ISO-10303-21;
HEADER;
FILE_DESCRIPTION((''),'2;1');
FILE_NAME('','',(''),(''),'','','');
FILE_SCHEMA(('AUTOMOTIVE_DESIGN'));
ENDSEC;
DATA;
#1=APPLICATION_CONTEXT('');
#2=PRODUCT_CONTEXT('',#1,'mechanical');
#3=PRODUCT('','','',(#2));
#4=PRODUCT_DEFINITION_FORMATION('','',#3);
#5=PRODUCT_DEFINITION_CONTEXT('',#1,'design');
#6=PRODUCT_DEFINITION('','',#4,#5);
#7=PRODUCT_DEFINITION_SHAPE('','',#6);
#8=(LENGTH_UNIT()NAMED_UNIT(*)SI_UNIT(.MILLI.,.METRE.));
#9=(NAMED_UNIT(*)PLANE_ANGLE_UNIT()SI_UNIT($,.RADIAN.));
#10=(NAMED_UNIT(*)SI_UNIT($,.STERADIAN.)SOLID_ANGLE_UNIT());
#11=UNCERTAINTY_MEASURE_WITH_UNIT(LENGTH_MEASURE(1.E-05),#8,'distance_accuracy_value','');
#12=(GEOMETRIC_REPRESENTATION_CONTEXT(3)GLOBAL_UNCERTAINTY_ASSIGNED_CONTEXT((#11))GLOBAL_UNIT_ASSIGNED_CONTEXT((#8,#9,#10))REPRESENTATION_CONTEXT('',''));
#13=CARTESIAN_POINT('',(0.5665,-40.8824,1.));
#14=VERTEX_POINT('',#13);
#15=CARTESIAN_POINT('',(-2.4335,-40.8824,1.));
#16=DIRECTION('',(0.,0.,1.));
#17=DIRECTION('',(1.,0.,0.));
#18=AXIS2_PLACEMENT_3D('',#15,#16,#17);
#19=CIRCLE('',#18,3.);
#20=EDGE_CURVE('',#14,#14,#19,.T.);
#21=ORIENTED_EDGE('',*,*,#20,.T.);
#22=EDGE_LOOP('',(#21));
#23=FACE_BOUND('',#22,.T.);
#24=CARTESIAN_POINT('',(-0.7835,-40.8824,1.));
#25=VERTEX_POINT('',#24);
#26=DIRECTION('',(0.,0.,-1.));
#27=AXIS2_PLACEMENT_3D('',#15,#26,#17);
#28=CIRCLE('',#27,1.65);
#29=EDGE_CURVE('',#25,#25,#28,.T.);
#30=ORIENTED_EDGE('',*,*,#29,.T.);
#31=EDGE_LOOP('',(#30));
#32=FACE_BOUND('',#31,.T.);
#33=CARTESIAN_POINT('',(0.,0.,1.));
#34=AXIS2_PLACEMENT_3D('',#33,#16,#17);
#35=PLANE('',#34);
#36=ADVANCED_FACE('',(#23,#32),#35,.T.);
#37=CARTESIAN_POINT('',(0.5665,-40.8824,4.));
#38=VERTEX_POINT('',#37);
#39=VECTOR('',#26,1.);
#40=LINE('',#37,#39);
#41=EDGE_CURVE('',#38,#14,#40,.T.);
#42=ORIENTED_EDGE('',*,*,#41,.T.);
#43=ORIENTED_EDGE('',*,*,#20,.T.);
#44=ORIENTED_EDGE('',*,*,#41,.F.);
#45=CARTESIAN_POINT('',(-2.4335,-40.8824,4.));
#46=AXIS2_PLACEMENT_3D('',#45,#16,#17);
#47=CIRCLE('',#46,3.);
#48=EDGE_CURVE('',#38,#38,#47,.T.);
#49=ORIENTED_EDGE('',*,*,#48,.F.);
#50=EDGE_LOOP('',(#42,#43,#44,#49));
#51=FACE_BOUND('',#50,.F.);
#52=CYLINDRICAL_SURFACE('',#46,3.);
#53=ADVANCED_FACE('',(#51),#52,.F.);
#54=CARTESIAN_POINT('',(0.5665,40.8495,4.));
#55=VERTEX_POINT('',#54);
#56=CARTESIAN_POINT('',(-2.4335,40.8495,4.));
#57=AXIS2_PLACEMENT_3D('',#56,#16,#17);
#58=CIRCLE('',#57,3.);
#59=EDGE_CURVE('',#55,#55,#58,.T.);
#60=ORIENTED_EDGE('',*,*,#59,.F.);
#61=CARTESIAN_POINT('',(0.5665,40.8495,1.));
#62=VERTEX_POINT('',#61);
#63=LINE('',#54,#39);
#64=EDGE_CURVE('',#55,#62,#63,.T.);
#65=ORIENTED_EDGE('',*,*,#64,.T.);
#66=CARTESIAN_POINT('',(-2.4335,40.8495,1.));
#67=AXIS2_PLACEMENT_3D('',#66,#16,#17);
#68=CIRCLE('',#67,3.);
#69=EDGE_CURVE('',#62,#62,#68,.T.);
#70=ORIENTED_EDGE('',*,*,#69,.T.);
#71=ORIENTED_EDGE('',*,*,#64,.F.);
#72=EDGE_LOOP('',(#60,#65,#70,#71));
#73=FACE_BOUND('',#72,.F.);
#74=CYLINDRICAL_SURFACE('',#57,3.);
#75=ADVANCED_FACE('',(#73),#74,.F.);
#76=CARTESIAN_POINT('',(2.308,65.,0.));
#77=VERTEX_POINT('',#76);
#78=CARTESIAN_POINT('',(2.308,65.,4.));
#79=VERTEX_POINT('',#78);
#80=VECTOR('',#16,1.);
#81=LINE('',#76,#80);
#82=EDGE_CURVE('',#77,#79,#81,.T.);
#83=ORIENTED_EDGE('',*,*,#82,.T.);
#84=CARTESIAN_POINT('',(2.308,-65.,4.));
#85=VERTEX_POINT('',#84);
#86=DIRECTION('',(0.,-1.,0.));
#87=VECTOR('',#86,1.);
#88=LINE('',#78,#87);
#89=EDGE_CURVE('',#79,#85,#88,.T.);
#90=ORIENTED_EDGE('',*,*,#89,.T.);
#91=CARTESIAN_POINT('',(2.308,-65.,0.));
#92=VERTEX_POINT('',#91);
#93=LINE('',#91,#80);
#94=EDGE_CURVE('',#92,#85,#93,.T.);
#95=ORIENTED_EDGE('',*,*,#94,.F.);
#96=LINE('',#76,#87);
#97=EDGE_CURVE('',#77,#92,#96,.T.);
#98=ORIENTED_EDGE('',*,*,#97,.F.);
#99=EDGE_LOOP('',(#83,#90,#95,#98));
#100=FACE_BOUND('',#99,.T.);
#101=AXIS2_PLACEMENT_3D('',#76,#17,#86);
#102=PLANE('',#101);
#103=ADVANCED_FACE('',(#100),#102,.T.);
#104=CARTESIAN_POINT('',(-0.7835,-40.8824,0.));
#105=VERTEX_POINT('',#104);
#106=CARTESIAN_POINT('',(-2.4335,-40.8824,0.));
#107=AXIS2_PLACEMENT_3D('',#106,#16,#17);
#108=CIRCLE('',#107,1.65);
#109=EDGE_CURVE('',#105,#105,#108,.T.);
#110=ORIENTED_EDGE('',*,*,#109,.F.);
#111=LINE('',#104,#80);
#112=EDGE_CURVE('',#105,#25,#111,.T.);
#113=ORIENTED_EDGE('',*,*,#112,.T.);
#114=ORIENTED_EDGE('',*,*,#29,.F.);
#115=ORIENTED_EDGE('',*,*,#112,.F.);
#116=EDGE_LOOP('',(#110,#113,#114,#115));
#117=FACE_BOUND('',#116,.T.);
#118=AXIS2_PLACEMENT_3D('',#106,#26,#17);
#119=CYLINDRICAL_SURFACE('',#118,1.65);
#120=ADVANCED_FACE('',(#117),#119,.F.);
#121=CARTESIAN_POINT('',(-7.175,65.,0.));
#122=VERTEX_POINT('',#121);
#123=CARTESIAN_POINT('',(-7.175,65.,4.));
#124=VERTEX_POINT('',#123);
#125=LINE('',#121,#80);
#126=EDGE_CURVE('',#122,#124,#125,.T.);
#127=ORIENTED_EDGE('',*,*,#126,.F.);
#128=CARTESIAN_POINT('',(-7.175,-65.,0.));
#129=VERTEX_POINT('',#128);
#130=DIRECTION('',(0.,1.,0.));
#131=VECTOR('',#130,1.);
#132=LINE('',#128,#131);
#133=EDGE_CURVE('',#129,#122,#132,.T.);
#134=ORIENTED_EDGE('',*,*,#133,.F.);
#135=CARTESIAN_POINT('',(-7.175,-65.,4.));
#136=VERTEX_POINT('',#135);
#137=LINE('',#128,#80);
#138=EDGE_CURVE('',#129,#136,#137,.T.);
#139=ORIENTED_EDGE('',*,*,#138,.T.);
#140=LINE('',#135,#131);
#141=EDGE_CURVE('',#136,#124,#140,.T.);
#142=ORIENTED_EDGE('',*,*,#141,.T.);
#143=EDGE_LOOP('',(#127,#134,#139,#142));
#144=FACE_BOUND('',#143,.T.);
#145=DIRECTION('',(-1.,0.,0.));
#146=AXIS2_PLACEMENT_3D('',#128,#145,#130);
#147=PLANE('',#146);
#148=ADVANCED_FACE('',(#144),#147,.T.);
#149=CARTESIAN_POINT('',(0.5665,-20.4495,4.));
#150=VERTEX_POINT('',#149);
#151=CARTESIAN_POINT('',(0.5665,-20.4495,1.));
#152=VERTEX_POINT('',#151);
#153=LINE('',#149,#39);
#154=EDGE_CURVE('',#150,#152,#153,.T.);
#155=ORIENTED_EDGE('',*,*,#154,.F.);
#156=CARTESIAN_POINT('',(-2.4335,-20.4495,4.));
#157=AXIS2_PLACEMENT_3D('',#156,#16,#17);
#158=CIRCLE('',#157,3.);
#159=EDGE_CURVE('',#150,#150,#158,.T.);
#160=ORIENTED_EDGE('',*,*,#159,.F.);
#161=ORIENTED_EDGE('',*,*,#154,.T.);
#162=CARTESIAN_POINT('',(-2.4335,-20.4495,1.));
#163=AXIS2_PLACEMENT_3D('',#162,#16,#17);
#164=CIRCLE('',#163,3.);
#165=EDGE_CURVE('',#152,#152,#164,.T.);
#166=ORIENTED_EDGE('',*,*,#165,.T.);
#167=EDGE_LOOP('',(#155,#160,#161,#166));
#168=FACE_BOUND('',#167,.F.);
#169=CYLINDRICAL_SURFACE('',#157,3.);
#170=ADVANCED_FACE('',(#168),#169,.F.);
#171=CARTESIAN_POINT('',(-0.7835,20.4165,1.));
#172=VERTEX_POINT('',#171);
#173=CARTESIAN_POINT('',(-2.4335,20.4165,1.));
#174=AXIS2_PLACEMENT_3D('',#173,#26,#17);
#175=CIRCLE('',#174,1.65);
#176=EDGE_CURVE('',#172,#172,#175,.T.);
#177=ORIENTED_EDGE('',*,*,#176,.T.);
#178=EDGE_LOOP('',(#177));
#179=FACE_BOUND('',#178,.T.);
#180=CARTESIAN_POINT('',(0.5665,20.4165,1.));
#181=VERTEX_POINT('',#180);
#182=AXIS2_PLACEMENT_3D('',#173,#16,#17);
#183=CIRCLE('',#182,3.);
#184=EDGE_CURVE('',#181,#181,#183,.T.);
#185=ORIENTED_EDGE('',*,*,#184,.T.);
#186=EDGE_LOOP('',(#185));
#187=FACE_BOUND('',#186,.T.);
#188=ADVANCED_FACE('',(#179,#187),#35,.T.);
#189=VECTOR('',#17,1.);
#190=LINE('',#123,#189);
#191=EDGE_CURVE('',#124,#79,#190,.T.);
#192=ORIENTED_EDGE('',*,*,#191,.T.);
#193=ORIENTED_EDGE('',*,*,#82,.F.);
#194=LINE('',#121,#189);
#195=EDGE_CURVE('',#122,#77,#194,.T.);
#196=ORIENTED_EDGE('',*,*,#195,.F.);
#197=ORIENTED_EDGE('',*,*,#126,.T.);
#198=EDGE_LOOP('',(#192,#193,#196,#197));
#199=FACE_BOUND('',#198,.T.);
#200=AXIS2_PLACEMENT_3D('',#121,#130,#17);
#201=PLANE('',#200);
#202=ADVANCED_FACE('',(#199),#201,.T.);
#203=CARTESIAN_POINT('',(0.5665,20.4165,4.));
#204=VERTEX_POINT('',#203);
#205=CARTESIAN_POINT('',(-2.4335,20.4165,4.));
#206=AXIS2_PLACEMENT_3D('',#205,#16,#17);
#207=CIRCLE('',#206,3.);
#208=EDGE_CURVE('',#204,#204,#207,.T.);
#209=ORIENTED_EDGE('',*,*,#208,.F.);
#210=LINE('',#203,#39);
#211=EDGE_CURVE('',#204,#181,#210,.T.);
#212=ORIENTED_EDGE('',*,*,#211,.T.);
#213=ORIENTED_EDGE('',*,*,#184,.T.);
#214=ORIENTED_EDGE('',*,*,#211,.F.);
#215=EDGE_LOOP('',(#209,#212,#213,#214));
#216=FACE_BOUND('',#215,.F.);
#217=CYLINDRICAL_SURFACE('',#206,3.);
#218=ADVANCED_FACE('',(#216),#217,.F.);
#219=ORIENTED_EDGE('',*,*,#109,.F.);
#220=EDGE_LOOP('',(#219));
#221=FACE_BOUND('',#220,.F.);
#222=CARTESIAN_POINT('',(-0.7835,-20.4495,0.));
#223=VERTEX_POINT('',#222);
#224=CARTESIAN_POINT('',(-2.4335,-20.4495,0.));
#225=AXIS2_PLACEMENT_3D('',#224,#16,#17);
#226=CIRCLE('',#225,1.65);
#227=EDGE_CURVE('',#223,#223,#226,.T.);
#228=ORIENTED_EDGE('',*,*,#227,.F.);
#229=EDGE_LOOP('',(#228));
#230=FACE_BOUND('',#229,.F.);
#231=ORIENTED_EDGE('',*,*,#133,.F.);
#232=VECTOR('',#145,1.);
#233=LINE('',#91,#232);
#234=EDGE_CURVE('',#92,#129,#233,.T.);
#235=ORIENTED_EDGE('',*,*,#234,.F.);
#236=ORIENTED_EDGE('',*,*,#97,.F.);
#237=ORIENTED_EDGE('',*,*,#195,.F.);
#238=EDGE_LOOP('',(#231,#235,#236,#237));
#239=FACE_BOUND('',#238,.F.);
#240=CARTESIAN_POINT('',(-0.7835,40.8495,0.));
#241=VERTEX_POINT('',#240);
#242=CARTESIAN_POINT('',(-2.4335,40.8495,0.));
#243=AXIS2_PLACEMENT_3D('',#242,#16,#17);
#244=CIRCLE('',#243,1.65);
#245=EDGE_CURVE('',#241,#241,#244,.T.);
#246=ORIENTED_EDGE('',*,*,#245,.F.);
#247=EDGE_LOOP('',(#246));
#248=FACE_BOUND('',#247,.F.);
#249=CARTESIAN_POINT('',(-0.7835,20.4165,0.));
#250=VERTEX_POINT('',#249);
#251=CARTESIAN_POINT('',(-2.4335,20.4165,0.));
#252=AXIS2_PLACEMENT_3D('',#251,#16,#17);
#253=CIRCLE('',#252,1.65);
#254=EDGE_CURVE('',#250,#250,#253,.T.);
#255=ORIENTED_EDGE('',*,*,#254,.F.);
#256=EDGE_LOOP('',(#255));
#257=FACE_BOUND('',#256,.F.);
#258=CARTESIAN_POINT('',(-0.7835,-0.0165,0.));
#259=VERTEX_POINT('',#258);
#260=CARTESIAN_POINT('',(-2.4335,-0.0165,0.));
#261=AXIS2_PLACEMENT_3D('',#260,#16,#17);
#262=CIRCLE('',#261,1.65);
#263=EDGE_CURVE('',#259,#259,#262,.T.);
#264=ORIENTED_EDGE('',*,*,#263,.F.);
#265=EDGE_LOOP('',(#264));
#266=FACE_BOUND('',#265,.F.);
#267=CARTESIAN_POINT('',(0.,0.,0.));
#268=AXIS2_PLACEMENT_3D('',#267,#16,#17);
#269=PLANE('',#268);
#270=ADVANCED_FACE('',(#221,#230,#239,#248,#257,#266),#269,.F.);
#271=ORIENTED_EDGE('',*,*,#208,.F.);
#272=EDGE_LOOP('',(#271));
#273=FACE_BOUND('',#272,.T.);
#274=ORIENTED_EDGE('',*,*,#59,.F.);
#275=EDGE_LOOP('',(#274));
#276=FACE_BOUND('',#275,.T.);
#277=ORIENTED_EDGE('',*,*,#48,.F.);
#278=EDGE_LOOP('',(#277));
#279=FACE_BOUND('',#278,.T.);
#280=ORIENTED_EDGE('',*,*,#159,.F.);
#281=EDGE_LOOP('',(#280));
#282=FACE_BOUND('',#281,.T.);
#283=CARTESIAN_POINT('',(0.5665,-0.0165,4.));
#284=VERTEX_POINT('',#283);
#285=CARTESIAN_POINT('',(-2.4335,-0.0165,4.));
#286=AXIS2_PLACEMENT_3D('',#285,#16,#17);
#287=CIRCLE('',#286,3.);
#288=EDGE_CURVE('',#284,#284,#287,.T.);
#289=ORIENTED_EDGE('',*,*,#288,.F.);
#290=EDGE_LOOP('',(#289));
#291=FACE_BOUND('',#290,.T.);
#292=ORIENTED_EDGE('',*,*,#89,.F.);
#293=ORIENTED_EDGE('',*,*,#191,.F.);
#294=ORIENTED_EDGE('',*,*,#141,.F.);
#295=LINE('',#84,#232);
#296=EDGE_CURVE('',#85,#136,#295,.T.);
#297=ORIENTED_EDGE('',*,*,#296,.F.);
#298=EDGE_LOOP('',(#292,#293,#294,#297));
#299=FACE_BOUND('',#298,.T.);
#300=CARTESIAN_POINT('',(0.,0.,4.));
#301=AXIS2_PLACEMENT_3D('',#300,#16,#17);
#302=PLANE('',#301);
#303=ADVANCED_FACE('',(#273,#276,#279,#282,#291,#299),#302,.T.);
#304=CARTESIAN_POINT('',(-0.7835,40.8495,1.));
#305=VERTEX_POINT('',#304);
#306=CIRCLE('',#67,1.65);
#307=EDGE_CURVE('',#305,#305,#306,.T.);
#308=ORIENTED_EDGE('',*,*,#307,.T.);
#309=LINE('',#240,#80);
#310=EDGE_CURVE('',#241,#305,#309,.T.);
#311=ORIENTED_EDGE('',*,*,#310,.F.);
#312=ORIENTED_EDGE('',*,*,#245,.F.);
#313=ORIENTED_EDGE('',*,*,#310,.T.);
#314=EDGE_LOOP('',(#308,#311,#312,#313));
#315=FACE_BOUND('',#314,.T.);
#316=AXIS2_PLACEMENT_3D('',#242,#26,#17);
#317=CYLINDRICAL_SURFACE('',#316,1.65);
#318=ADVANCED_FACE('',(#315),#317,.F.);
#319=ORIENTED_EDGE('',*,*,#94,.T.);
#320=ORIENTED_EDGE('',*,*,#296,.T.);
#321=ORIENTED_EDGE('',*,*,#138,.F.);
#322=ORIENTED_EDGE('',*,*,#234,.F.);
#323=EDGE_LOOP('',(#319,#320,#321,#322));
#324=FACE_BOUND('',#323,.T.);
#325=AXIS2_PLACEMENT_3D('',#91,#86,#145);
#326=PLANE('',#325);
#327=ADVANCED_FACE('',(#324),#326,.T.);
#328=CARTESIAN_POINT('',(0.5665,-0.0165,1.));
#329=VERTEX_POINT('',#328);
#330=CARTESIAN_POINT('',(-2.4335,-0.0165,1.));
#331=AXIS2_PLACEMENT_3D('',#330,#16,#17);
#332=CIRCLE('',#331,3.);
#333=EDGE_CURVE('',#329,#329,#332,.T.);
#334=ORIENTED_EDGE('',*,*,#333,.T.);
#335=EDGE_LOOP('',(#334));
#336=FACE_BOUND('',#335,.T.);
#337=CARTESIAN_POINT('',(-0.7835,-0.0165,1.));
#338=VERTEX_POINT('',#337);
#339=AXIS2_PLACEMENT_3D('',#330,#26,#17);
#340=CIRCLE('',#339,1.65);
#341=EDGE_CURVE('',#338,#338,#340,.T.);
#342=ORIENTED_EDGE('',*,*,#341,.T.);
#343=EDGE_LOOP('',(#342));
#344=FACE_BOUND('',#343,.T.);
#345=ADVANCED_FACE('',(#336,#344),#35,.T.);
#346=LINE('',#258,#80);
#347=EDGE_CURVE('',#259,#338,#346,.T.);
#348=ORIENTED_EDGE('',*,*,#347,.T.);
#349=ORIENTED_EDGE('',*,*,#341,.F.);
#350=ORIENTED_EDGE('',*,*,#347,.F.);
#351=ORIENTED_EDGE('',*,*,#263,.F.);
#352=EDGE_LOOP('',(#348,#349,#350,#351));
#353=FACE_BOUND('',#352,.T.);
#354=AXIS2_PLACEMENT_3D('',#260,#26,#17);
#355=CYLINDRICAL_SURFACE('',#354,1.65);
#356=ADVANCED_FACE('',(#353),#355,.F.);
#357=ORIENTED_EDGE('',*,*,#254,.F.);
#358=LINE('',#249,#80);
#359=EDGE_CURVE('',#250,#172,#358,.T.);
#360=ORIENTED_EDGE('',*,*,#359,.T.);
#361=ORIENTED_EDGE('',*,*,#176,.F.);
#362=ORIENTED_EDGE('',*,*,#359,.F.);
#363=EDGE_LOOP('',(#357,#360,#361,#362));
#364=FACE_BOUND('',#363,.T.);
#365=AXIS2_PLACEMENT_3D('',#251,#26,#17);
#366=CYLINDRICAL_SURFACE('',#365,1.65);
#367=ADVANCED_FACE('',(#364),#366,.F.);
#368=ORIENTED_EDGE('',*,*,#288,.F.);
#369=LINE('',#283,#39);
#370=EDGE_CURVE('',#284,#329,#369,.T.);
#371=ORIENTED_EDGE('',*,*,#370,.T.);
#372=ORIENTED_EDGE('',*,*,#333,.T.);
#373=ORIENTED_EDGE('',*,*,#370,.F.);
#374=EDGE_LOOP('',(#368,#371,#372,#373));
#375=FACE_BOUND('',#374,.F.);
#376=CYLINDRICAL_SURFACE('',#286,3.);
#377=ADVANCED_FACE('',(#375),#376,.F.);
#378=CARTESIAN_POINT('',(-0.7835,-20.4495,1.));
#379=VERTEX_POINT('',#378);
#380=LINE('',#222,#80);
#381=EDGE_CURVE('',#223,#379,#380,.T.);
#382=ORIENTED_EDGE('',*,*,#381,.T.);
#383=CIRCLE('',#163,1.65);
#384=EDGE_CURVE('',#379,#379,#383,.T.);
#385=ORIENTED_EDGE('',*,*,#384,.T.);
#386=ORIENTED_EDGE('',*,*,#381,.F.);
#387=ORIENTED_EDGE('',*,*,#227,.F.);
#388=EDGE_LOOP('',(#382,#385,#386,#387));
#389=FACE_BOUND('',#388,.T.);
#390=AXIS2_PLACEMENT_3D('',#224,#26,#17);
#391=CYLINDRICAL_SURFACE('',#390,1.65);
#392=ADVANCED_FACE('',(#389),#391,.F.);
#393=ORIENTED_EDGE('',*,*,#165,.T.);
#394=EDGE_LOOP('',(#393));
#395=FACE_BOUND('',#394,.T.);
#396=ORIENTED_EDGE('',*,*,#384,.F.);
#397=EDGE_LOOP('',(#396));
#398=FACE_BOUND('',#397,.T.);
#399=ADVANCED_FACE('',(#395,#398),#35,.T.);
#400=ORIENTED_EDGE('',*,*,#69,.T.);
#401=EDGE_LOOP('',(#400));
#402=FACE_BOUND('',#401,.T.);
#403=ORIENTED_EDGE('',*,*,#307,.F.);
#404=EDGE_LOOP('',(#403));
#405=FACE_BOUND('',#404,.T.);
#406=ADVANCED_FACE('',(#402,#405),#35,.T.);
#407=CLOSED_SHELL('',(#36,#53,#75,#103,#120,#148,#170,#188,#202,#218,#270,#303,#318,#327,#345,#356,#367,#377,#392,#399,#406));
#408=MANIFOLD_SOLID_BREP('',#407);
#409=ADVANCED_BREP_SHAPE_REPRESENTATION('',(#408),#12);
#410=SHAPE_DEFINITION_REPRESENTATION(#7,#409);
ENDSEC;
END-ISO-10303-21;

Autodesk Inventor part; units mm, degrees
ref_plane "YZ Plane" through (0, 0, 0) normal (1, 0, 0) x (0, 1, 0)
ref_plane "XZ Plane" through (0, 0, 0) normal (0, 1, 0) x (-1, 0, 0)
ref_plane "XY Plane" through (0, 0, 0) normal (0, 0, 1) x (1, 0, 0)
ref_plane "作業平面1" through (0, 0, 0) normal (0, 0, 1) x (1, 0, 0)
sketch "スケッチ1" plane through (0, 0, 0) normal (0, 0, 1) x (1, 0, 0)
  circle A0 centre (-2.4335, -0.0165) radius 2.25 construction
  circle A1 centre (-2.4335, 20.4165) radius 2.25 construction
  circle A2 centre (-2.4335, -20.4495) radius 2.25 construction
  circle A3 centre (-2.4335, 40.8495) radius 2.25 construction
  circle A4 centre (-2.4335, -40.8824) radius 2.25 construction
  arc A5 (7.0535, -60.5275) -> (7.932, -61.0497) centre (7.932, -60.0497) ccw construction
  arc A6 (7.0535, -60.5275) -> (6.8807, -60.2968) centre (6.175, -61.0052) ccw construction
  line L0 (6.8807, -60.2968) -> (2.9106, -56.342) construction
  arc A7 (2.9106, -56.342) -> (2.8353, -56.3081) centre (2.8355, -56.4081) ccw construction
  line L1 (2.8353, -56.3081) -> (-2.8421, -56.3081) construction
  arc A8 (-4.2232, -54.98) -> (-2.8421, -56.3081) centre (-2.825, -54.9082) ccw construction
  line L2 (-4.2232, -54.98) -> (-4.2232, -46.9628) construction
  arc A9 (-2.825, -45.4911) -> (-4.2232, -46.9628) centre (-2.825, -46.8911) ccw construction
  line L3 (-2.825, -45.4911) -> (2.8507, -45.4911) construction
  arc A10 (2.8507, -45.4911) -> (2.9214, -45.4618) centre (2.8507, -45.3911) ccw construction
  line L4 (2.9214, -45.4618) -> (6.8821, -41.5011) construction
  arc A11 (6.8821, -41.5011) -> (7.175, -40.794) centre (6.175, -40.794) ccw construction
  line L5 (7.175, -40.794) -> (7.175, -40.7051) construction
  arc A12 (7.175, -40.7051) -> (6.8821, -39.998) centre (6.175, -40.7051) ccw construction
  line L6 (6.8821, -39.998) -> (2.9214, -36.0374) construction
  arc A13 (2.9214, -36.0374) -> (2.8507, -36.0081) centre (2.8507, -36.1081) ccw construction
  line L7 (2.8507, -36.0081) -> (-2.825, -36.0081) construction
  arc A14 (-4.225, -34.6081) -> (-2.825, -36.0081) centre (-2.825, -34.6081) ccw construction
  line L8 (-4.225, -34.6081) -> (-4.225, -26.4581) construction
  arc A15 (-2.825, -25.0581) -> (-4.225, -26.4581) centre (-2.825, -26.4581) ccw construction
  line L9 (-2.825, -25.0581) -> (2.8507, -25.0581) construction
  arc A16 (2.8507, -25.0581) -> (2.9214, -25.0288) centre (2.8507, -24.9581) ccw construction
  line L10 (2.9214, -25.0288) -> (6.8821, -21.0681) construction
  arc A17 (6.8821, -21.0681) -> (7.175, -20.361) centre (6.175, -20.361) ccw construction
  line L11 (7.175, -20.361) -> (7.175, -20.2722) construction
  arc A18 (7.175, -20.2722) -> (6.8807, -19.5637) centre (6.175, -20.2722) ccw construction
  line L12 (6.8807, -19.5637) -> (2.9106, -15.609) construction
  arc A19 (2.9106, -15.609) -> (2.8353, -15.575) centre (2.8355, -15.675) ccw construction
  line L13 (2.8353, -15.575) -> (-2.8421, -15.575) construction
  arc A20 (-4.2232, -14.2469) -> (-2.8421, -15.575) centre (-2.825, -14.1751) ccw construction
  line L14 (-4.2232, -14.2469) -> (-4.2232, -6.2297) construction
  arc A21 (-2.825, -4.758) -> (-4.2232, -6.2297) centre (-2.825, -6.158) ccw construction
  line L15 (-2.825, -4.758) -> (2.8507, -4.758) construction
  arc A22 (2.8507, -4.758) -> (2.9214, -4.7287) centre (2.8507, -4.658) ccw construction
  line L16 (2.9214, -4.7287) -> (6.8821, -0.768) construction
  arc A23 (6.8821, -0.768) -> (7.175, -0.0609) centre (6.175, -0.0609) ccw construction
  line L17 (7.175, -0.0609) -> (7.175, 0.0279) construction
  arc A24 (7.175, 0.0279) -> (6.8821, 0.7351) centre (6.175, 0.0279) ccw construction
  line L18 (6.8821, 0.7351) -> (2.9214, 4.6957) construction
  arc A25 (2.9214, 4.6957) -> (2.8507, 4.725) centre (2.8507, 4.625) ccw construction
  line L19 (2.8507, 4.725) -> (-2.825, 4.725) construction
  arc A26 (-4.225, 6.125) -> (-2.825, 4.725) centre (-2.825, 6.125) ccw construction
  line L20 (-4.225, 6.125) -> (-4.225, 14.275) construction
  arc A27 (-2.825, 15.675) -> (-4.225, 14.275) centre (-2.825, 14.275) ccw construction
  line L21 (-2.825, 15.675) -> (2.8507, 15.675) construction
  arc A28 (2.8507, 15.675) -> (2.9214, 15.7043) centre (2.8507, 15.775) ccw construction
  line L22 (2.9214, 15.7043) -> (6.8821, 19.6649) construction
  arc A29 (6.8821, 19.6649) -> (7.175, 20.3721) centre (6.175, 20.3721) ccw construction
  line L23 (7.175, 20.3721) -> (7.175, 20.4609) construction
  arc A30 (7.175, 20.4609) -> (6.8821, 21.168) centre (6.175, 20.4609) ccw construction
  line L24 (6.8821, 21.168) -> (2.9214, 25.1287) construction
  arc A31 (2.9214, 25.1287) -> (2.8507, 25.158) centre (2.8507, 25.058) ccw construction
  line L25 (2.8507, 25.158) -> (-2.825, 25.158) construction
  arc A32 (-4.2232, 26.6297) -> (-2.825, 25.158) centre (-2.825, 26.558) ccw construction
  line L26 (-4.2232, 26.6297) -> (-4.2232, 34.6469) construction
  arc A33 (-2.8421, 35.975) -> (-4.2232, 34.6469) centre (-2.825, 34.5751) ccw construction
  line L27 (-2.8421, 35.975) -> (2.8353, 35.975) construction
  arc A34 (2.8353, 35.975) -> (2.9106, 36.009) centre (2.8355, 36.075) ccw construction
  line L28 (2.9106, 36.009) -> (6.8807, 39.9637) construction
  arc A35 (6.8807, 39.9637) -> (7.175, 40.6722) centre (6.175, 40.6722) ccw construction
  line L29 (7.175, 40.6722) -> (7.175, 40.761) construction
  arc A36 (7.175, 40.761) -> (6.8821, 41.4681) centre (6.175, 40.761) ccw construction
  line L30 (6.8821, 41.4681) -> (2.9214, 45.4288) construction
  arc A37 (2.9214, 45.4288) -> (2.8507, 45.4581) centre (2.8507, 45.3581) ccw construction
  line L31 (2.8507, 45.4581) -> (-2.825, 45.4581) construction
  arc A38 (-4.225, 46.8581) -> (-2.825, 45.4581) centre (-2.825, 46.8581) ccw construction
  line L32 (-4.225, 46.8581) -> (-4.225, 55.0081) construction
  arc A39 (-2.825, 56.4081) -> (-4.225, 55.0081) centre (-2.825, 55.0081) ccw construction
  line L33 (-2.825, 56.4081) -> (2.8507, 56.4081) construction
  arc A40 (2.8507, 56.4081) -> (2.9214, 56.4374) centre (2.8507, 56.5081) ccw construction
  line L34 (2.9214, 56.4374) -> (6.8821, 60.398) construction
  arc A41 (6.8821, 60.398) -> (7.0535, 60.6274) centre (6.175, 61.1051) ccw construction
  arc A42 (7.932, 61.1496) -> (7.0535, 60.6274) centre (7.932, 60.1496) ccw construction
  line L35 (7.932, 61.1496) -> (20.325, 61.1496) construction
  line L36 (20.325, 61.1496) -> (20.325, 65) construction
  line L37 (20.325, 65) -> (-7.175, 65) construction
  line L38 (-7.175, 65) -> (-7.175, -65) construction
  line L39 (-7.175, -65) -> (20.325, -65) construction
  line L40 (20.325, -65) -> (20.325, -61.0497) construction
  line L41 (20.325, -61.0497) -> (7.932, -61.0497) construction
  circle A43 centre (-2.4335, 40.8495) radius 1.65
  circle A44 centre (-2.4335, 20.4165) radius 1.65
  circle A45 centre (-2.4335, -0.0165) radius 1.65
  circle A46 centre (-2.4335, -20.4495) radius 1.65
  circle A47 centre (-2.4335, -40.8824) radius 1.65
  line L42 (-7.175, 65) -> (2.308, 65)
  line L43 (2.308, 65) -> (2.308, -65)
  line L44 (2.308, -65) -> (-7.175, -65)
  line L45 (-7.175, -65) -> (-7.175, 65)
  point P0 (0, 0)
  dimension "d0" = 3.3
  dimension "d1" = 4.7415
  dimension "d2" = 4.7415
extrude "押し出し1" add sketch "スケッチ1" along normal blind 4
sketch "スケッチ2" plane through (0, 0, 4) normal (0, 0, 1) x (1, 0, 0)
  circle A0 centre (-2.4335, 40.8495) radius 1.65 construction
  circle A1 centre (-2.4335, 20.4165) radius 1.65 construction
  circle A2 centre (-2.4335, -0.0165) radius 1.65 construction
  circle A3 centre (-2.4335, -20.4495) radius 1.65 construction
  circle A4 centre (-2.4335, -40.8824) radius 1.65 construction
  circle A5 centre (-2.4335, 40.8495) radius 1.65 projected
  circle A6 centre (-2.4335, 40.8495) radius 3
  circle A7 centre (-2.4335, 20.4165) radius 3
  circle A8 centre (-2.4335, -0.0165) radius 3
  circle A9 centre (-2.4335, -20.4495) radius 1.65 projected
  circle A10 centre (-2.4335, -20.4495) radius 3
  circle A11 centre (-2.4335, -40.8824) radius 3
  point P0 (0, 0)
  dimension "d5" = 6
extrude "押し出し2" cut sketch "スケッチ2" against normal blind 3
equation "\"d2\" = d1"
properties part number "pci_slot_adapter_02"
